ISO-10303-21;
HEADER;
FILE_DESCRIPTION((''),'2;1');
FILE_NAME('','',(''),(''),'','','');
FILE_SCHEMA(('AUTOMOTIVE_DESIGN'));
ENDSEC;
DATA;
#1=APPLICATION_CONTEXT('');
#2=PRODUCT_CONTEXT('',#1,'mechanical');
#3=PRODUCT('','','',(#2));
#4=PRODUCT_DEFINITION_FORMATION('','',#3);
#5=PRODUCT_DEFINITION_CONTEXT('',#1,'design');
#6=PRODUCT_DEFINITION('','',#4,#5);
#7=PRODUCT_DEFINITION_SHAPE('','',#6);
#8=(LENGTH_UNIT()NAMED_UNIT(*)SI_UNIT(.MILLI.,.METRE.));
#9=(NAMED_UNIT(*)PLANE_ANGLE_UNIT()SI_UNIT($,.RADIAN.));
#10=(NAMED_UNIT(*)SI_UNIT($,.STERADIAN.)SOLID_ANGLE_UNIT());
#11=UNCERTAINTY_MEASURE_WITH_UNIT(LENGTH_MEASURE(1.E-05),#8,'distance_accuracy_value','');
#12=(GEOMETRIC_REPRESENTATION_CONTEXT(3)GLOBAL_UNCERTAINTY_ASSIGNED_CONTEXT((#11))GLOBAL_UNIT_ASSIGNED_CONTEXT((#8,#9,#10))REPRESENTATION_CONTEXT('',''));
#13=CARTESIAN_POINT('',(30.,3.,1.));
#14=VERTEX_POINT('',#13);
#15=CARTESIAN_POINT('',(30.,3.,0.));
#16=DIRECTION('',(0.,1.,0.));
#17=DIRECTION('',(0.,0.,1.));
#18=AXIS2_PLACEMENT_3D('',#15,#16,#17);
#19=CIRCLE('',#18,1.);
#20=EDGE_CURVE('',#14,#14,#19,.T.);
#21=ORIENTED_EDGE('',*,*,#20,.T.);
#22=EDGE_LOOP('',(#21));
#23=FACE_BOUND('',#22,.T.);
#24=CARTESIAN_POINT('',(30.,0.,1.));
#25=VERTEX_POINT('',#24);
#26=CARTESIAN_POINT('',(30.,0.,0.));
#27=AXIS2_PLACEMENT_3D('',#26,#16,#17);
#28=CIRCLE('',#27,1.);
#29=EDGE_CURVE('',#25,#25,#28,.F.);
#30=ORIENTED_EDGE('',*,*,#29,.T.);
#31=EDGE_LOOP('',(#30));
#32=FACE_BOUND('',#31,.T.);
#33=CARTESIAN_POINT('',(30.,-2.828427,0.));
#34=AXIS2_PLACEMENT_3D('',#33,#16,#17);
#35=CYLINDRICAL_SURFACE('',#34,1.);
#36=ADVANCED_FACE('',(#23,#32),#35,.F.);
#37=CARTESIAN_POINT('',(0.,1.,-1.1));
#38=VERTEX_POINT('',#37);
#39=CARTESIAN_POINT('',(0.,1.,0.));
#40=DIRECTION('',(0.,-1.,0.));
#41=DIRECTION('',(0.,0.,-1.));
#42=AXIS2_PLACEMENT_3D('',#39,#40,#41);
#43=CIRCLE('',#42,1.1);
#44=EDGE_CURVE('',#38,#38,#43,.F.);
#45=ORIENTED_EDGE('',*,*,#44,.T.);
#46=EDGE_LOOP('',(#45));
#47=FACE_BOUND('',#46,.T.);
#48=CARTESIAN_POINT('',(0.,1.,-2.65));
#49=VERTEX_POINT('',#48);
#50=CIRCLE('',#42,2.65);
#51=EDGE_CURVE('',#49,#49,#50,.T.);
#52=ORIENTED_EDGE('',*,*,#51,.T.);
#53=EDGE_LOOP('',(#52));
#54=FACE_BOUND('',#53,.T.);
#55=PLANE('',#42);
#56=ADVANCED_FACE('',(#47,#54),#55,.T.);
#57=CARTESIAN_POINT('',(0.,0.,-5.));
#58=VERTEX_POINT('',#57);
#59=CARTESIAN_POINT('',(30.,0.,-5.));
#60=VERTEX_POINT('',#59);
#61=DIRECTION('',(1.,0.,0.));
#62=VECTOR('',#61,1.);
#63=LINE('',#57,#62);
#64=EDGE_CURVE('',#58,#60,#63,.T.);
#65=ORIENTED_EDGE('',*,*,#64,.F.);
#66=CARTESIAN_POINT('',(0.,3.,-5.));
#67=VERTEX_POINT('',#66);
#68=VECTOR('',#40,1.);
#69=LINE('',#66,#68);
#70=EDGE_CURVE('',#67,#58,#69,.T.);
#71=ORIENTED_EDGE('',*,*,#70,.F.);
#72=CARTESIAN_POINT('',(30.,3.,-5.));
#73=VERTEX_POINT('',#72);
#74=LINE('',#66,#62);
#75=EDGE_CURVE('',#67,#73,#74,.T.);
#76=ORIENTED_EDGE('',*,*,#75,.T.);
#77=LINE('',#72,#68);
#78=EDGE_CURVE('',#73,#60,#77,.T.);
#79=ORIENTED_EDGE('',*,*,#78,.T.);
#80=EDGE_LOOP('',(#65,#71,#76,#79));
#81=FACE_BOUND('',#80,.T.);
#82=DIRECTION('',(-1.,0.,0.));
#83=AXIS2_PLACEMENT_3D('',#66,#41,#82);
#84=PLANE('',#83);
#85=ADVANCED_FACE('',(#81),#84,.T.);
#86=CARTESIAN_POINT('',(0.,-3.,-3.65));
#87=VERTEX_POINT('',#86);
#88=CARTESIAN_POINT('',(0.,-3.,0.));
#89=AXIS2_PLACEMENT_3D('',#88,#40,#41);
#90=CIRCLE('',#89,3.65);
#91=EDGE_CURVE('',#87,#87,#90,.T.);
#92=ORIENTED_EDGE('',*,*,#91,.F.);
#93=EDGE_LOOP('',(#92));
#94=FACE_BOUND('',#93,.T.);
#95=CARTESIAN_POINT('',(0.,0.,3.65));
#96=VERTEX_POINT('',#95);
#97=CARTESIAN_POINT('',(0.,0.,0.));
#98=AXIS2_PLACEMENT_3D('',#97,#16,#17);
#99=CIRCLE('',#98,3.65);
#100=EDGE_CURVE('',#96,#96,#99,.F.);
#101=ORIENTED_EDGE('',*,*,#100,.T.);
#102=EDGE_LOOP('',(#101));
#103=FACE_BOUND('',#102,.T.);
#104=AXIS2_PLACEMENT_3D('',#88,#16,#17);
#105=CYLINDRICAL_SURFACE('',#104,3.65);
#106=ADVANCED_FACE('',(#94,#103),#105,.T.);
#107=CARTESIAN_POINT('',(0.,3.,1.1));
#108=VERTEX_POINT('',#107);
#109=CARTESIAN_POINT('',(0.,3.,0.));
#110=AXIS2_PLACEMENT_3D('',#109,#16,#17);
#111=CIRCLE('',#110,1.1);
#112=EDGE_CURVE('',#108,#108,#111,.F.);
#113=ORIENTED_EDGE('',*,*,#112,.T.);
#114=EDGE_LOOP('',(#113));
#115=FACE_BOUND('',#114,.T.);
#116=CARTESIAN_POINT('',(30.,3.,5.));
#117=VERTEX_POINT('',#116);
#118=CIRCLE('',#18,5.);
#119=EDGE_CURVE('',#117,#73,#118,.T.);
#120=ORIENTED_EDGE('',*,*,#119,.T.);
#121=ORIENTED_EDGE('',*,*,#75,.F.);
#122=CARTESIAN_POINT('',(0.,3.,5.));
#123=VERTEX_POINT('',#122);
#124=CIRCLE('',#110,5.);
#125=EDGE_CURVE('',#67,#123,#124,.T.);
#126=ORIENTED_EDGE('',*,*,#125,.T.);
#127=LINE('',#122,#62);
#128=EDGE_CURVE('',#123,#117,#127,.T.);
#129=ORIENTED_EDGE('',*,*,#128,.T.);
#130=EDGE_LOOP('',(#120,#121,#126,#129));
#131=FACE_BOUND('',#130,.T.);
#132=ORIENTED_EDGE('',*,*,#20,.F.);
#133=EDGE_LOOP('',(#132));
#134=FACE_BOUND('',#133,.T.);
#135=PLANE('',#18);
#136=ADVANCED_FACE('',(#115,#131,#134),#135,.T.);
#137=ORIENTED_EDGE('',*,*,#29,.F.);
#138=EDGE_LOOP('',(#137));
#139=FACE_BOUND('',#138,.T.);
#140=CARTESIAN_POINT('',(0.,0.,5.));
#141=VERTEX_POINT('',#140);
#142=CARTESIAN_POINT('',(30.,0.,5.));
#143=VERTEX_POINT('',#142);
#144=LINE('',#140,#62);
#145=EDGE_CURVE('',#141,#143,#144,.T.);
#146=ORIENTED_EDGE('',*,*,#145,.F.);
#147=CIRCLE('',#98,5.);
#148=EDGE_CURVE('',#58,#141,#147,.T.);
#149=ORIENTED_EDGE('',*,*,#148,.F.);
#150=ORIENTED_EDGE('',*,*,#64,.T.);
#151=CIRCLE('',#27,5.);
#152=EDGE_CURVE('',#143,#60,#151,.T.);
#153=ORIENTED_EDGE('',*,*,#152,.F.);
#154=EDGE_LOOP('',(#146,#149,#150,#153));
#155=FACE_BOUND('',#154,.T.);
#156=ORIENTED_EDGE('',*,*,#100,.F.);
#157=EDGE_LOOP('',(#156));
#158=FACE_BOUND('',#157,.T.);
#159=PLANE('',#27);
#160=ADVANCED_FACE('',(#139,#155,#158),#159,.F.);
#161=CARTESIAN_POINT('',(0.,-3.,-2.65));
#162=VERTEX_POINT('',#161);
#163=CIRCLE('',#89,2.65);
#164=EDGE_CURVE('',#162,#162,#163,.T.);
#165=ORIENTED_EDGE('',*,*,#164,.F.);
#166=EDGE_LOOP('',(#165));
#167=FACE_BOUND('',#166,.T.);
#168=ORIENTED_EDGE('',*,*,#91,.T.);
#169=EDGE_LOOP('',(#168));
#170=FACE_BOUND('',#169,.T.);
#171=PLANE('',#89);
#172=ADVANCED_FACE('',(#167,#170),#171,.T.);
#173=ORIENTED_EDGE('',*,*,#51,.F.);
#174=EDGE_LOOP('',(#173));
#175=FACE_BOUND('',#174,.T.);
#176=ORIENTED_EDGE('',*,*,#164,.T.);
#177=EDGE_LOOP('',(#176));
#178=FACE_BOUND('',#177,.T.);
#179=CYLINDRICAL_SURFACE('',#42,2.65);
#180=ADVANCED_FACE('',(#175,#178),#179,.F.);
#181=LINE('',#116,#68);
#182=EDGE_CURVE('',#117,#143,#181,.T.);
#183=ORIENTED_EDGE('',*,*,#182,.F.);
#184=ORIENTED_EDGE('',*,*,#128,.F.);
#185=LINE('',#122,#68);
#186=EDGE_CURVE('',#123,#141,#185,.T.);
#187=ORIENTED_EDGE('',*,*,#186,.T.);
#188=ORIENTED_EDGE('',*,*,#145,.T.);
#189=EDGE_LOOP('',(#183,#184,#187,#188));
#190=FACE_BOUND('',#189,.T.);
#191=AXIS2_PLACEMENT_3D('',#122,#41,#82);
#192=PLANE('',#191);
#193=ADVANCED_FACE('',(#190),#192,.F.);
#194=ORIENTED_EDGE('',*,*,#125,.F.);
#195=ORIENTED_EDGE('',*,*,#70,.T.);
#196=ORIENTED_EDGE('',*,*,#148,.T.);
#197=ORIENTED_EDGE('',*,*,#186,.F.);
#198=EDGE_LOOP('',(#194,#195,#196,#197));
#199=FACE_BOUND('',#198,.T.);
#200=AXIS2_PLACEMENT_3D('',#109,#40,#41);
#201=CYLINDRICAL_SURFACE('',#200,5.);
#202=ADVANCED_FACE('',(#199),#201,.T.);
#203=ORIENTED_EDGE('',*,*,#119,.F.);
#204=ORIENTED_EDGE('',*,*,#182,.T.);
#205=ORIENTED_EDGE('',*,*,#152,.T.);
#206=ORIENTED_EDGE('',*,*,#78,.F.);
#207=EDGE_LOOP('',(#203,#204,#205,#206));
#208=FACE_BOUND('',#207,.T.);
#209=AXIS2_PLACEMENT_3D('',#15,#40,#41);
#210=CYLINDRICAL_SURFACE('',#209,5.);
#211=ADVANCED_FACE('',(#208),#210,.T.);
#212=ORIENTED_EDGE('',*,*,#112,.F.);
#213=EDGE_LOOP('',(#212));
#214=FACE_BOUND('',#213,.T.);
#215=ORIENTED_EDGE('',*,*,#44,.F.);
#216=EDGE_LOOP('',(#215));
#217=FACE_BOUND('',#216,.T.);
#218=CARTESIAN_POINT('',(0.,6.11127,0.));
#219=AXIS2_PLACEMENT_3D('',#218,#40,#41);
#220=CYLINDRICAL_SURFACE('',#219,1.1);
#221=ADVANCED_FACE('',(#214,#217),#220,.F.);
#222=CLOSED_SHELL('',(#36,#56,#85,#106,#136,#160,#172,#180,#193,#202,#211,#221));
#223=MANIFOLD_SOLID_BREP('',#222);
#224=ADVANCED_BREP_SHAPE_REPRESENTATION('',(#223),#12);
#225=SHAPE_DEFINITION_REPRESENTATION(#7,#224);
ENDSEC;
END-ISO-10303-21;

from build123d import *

# Parameters (mm, degrees)
BOSS_EXTRUDE1_DEPTH = 3
SKETCH2_R           = 3.65
BOSS_EXTRUDE2_DEPTH = 3
SKETCH3_R           = 1.1
CUT_EXTRUDE1_DEPTH  = 6
SKETCH5_R           = 2.65
CUT_EXTRUDE2_DEPTH  = 4
SKETCH7_R           = 1
CUT_EXTRUDE4_DEPTH  = 3


with BuildPart() as part:
    # Sketch1 → Boss-Extrude1 (new body)
    with BuildSketch(Plane(origin=(0, 0, 0), x_dir=(1, 0, 0), z_dir=(0, 1, 0))):
        with BuildLine():
            Line((0, 5), (30, 5))
            ThreePointArc((30, 5), (35, 0), (30, -5))
            Line((30, -5), (0, -5))
            ThreePointArc((0, -5), (-5, 0), (0, 5))
        make_face()
    extrude(amount=BOSS_EXTRUDE1_DEPTH)

    # Sketch2 → Boss-Extrude2 (add)
    with BuildSketch(Plane.XZ):
        with Locations(Location((0, 0, 0), (0, 0, 90))):
            Circle(SKETCH2_R)
    extrude(amount=BOSS_EXTRUDE2_DEPTH)

    # Sketch3 → Cut-Extrude1 (cut)
    with BuildSketch(Plane.XZ.offset(3)):
        with Locations(Location((0, 0, 0), (0, 0, 270))):
            Circle(SKETCH3_R)
    extrude(amount=-CUT_EXTRUDE1_DEPTH, mode=Mode.SUBTRACT)

    # Sketch5 → Cut-Extrude2 (cut)
    with BuildSketch(Plane.XZ.offset(3)):
        with Locations(Location((0, 0, 0), (0, 0, 270))):
            Circle(SKETCH5_R)
    extrude(amount=-CUT_EXTRUDE2_DEPTH, mode=Mode.SUBTRACT)

    # Sketch7 → Cut-Extrude4 (cut)
    with BuildSketch(Plane(origin=(0, 3, 0), x_dir=(1, 0, 0), z_dir=(0, 1, 0))):
        with Locations(Location((30, 0, 0), (0, 0, 270))):
            Circle(SKETCH7_R)
    extrude(amount=-CUT_EXTRUDE4_DEPTH, mode=Mode.SUBTRACT)


solid = part.part
